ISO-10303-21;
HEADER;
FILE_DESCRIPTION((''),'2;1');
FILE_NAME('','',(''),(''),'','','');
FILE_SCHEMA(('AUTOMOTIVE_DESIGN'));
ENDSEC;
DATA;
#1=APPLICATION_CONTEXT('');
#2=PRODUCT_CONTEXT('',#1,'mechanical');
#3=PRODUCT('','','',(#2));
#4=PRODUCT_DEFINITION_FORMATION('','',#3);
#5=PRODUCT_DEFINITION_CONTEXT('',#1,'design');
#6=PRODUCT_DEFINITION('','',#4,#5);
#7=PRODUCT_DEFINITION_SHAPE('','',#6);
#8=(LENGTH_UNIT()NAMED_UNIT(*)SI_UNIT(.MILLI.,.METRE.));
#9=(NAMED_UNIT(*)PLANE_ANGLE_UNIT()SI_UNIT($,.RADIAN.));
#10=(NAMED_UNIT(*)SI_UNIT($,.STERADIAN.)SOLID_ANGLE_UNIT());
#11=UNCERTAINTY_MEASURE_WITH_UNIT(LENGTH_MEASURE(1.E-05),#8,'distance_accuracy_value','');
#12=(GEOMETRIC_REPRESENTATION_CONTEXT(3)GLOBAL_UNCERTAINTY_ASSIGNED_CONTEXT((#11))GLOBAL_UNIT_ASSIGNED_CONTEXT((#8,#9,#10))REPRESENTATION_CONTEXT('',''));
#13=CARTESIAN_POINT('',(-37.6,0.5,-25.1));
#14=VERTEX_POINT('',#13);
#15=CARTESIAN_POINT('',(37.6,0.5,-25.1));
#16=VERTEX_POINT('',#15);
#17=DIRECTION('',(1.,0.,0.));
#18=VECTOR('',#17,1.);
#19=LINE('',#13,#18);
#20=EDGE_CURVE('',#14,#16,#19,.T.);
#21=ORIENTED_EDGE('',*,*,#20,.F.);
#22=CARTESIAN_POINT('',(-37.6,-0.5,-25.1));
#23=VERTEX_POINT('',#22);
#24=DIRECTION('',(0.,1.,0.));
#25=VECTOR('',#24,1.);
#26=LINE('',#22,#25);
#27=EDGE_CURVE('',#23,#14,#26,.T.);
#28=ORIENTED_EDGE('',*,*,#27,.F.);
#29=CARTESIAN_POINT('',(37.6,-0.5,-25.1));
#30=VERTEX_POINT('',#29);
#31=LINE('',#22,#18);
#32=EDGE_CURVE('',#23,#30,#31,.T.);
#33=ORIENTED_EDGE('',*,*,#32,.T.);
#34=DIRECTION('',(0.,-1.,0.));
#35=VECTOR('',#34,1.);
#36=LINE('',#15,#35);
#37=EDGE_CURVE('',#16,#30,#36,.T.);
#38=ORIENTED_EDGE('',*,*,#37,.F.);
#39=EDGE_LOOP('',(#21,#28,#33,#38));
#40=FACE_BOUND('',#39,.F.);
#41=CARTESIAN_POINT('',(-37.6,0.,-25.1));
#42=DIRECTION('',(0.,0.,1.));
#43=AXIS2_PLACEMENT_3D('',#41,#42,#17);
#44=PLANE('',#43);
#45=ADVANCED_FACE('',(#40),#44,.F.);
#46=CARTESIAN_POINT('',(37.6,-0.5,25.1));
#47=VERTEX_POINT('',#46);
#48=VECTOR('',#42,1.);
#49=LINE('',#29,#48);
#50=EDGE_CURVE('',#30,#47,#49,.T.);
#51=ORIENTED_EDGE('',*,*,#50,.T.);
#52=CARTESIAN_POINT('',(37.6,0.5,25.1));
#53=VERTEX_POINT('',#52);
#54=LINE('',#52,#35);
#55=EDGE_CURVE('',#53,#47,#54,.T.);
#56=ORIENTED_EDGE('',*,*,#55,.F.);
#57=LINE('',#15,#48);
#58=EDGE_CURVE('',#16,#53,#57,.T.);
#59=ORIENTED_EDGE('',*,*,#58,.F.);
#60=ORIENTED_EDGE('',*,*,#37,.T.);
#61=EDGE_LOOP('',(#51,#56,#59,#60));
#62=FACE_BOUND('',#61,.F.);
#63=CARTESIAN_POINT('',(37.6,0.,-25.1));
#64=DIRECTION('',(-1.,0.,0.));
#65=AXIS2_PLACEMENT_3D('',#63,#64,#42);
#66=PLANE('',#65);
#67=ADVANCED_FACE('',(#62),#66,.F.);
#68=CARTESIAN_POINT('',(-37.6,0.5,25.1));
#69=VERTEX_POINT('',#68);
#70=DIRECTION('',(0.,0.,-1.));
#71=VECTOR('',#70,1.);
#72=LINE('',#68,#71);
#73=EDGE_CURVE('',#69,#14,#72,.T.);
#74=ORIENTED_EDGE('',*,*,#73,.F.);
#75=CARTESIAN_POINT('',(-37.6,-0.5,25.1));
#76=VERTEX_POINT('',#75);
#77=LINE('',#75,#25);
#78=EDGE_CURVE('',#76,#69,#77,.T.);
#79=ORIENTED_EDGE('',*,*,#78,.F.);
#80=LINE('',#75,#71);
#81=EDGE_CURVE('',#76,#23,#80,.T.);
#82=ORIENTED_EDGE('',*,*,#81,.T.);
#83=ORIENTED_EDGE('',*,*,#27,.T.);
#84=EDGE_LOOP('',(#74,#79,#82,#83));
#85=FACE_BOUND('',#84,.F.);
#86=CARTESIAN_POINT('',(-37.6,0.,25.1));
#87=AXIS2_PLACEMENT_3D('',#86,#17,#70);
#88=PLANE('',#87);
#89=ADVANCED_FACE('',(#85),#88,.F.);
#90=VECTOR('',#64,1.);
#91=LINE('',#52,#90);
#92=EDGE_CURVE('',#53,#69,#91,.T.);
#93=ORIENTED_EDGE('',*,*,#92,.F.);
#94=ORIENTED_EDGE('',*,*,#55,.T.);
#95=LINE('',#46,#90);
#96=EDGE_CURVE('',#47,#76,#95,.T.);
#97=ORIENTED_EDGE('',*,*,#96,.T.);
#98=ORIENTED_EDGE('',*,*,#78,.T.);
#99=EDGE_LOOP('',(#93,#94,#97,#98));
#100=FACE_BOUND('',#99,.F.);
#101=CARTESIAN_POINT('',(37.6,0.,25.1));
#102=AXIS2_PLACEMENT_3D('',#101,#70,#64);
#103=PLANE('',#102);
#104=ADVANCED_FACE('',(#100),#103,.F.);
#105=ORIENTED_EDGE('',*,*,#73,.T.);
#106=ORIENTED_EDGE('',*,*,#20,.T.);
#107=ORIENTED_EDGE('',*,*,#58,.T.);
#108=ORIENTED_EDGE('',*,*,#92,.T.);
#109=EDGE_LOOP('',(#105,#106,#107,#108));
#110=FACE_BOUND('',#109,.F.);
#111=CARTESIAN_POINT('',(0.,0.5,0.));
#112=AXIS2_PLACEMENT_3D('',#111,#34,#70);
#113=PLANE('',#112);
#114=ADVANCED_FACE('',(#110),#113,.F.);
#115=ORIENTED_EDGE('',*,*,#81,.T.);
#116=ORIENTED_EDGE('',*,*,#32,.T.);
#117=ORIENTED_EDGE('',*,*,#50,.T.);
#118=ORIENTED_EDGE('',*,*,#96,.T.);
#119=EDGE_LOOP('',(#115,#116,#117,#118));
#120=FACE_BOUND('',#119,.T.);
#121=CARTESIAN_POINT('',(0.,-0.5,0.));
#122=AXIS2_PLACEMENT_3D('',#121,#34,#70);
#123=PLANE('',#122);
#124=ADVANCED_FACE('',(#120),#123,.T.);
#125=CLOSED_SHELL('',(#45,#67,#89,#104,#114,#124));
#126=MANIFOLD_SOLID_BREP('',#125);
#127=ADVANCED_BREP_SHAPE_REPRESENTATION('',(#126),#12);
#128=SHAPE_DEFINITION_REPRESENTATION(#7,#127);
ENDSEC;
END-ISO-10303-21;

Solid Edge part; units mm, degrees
sketch "Sketch1" plane through (0, 0, 0) normal (0, -1, 0) x (1, 0, 0)
  line L0 (-37.6, -25.1) -> (37.6, -25.1)
  line L1 (37.6, -25.1) -> (37.6, 25.1)
  line L2 (37.6, 25.1) -> (-37.6, 25.1)
  line L3 (-37.6, 25.1) -> (-37.6, -25.1)
extrude "Protrusion1" add sketch "Sketch1" along normal mid plane 1
